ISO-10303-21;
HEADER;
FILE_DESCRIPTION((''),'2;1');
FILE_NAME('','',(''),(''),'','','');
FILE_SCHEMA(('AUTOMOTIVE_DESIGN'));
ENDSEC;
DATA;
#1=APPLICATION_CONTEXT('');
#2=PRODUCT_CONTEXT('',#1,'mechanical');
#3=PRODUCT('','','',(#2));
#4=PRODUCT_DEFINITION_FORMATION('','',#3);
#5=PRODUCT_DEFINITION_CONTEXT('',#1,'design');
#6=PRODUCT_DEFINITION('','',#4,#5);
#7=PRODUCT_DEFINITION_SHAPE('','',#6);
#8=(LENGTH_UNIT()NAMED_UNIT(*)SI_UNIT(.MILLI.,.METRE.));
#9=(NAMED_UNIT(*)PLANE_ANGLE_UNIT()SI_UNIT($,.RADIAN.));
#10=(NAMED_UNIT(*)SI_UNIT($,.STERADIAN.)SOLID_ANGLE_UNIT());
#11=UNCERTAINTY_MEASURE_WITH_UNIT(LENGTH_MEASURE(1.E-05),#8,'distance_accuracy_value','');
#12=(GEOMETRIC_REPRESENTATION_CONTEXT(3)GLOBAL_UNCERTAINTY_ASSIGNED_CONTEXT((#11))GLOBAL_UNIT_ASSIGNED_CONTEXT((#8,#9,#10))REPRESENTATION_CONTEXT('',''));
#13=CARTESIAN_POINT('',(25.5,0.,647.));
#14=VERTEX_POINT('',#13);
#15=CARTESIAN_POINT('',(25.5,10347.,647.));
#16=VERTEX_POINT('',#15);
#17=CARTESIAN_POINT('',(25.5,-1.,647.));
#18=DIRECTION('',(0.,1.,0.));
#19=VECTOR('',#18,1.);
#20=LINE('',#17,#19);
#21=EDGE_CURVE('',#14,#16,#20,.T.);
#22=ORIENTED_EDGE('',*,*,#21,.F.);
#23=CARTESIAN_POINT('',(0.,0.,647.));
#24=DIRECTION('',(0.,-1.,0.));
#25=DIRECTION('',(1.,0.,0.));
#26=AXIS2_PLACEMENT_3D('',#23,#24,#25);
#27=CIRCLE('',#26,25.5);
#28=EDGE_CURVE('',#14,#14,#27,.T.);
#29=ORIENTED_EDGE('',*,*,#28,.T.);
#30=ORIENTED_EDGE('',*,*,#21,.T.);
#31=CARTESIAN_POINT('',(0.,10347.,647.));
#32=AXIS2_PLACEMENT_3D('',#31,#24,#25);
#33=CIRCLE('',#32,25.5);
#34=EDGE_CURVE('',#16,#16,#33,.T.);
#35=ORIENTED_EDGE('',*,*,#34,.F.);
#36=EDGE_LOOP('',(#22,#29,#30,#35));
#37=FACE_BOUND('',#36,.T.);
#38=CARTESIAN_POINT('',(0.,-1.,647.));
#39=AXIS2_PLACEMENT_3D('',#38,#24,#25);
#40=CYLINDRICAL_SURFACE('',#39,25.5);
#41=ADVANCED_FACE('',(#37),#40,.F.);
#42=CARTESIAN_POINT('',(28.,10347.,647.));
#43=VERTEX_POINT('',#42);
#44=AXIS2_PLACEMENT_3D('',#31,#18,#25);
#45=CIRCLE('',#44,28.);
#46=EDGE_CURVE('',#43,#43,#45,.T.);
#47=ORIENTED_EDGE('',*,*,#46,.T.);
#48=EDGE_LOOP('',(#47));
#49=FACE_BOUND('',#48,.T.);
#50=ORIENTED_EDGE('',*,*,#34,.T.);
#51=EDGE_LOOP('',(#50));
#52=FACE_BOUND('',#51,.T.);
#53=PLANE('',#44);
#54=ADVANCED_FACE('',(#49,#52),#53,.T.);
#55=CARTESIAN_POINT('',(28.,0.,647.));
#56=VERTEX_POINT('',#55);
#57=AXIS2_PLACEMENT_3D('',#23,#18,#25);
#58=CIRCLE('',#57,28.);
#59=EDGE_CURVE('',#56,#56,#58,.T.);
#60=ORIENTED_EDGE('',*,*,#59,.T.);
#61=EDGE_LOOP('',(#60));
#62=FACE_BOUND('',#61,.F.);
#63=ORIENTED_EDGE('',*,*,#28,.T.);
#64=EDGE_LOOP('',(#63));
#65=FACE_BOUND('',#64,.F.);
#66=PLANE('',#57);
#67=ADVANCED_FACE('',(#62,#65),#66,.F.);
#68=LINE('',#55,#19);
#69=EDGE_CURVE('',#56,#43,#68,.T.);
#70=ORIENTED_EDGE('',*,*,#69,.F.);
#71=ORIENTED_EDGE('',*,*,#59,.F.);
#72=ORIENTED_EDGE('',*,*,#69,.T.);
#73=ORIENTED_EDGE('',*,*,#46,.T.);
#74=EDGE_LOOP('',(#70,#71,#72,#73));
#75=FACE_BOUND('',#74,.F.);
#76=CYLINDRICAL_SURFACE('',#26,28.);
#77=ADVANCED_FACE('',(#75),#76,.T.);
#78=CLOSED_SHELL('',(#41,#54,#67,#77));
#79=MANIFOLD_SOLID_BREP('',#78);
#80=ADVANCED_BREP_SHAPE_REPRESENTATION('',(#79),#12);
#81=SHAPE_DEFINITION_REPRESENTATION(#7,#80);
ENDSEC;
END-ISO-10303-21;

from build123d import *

# Parameters (mm, degrees)
CYLINDER_IN_R      = 25.5
CYLINDER_IN_DEPTH  = 10349
CYLINDER_OUT_R     = 28
CYLINDER_OUT_DEPTH = 10347


with BuildPart() as cylinder_in:
    # cylinder_in → cylinder_in (new body)
    with BuildSketch(Plane(origin=(0, -1, 647), x_dir=(1, 0, 0), z_dir=(0, 1, 0))):
        Circle(CYLINDER_IN_R)
    extrude(amount=CYLINDER_IN_DEPTH)


with BuildPart() as tube_glass_glass1:
    # cylinder_out → cylinder_out (new body)
    with BuildSketch(Plane(origin=(0, 0, 647), x_dir=(1, 0, 0), z_dir=(0, 1, 0))):
        Circle(CYLINDER_OUT_R)
    extrude(amount=CYLINDER_OUT_DEPTH)

    # tube_glass: cut cylinder_in
    add(cylinder_in.part, mode=Mode.SUBTRACT)


solid = tube_glass_glass1.part
